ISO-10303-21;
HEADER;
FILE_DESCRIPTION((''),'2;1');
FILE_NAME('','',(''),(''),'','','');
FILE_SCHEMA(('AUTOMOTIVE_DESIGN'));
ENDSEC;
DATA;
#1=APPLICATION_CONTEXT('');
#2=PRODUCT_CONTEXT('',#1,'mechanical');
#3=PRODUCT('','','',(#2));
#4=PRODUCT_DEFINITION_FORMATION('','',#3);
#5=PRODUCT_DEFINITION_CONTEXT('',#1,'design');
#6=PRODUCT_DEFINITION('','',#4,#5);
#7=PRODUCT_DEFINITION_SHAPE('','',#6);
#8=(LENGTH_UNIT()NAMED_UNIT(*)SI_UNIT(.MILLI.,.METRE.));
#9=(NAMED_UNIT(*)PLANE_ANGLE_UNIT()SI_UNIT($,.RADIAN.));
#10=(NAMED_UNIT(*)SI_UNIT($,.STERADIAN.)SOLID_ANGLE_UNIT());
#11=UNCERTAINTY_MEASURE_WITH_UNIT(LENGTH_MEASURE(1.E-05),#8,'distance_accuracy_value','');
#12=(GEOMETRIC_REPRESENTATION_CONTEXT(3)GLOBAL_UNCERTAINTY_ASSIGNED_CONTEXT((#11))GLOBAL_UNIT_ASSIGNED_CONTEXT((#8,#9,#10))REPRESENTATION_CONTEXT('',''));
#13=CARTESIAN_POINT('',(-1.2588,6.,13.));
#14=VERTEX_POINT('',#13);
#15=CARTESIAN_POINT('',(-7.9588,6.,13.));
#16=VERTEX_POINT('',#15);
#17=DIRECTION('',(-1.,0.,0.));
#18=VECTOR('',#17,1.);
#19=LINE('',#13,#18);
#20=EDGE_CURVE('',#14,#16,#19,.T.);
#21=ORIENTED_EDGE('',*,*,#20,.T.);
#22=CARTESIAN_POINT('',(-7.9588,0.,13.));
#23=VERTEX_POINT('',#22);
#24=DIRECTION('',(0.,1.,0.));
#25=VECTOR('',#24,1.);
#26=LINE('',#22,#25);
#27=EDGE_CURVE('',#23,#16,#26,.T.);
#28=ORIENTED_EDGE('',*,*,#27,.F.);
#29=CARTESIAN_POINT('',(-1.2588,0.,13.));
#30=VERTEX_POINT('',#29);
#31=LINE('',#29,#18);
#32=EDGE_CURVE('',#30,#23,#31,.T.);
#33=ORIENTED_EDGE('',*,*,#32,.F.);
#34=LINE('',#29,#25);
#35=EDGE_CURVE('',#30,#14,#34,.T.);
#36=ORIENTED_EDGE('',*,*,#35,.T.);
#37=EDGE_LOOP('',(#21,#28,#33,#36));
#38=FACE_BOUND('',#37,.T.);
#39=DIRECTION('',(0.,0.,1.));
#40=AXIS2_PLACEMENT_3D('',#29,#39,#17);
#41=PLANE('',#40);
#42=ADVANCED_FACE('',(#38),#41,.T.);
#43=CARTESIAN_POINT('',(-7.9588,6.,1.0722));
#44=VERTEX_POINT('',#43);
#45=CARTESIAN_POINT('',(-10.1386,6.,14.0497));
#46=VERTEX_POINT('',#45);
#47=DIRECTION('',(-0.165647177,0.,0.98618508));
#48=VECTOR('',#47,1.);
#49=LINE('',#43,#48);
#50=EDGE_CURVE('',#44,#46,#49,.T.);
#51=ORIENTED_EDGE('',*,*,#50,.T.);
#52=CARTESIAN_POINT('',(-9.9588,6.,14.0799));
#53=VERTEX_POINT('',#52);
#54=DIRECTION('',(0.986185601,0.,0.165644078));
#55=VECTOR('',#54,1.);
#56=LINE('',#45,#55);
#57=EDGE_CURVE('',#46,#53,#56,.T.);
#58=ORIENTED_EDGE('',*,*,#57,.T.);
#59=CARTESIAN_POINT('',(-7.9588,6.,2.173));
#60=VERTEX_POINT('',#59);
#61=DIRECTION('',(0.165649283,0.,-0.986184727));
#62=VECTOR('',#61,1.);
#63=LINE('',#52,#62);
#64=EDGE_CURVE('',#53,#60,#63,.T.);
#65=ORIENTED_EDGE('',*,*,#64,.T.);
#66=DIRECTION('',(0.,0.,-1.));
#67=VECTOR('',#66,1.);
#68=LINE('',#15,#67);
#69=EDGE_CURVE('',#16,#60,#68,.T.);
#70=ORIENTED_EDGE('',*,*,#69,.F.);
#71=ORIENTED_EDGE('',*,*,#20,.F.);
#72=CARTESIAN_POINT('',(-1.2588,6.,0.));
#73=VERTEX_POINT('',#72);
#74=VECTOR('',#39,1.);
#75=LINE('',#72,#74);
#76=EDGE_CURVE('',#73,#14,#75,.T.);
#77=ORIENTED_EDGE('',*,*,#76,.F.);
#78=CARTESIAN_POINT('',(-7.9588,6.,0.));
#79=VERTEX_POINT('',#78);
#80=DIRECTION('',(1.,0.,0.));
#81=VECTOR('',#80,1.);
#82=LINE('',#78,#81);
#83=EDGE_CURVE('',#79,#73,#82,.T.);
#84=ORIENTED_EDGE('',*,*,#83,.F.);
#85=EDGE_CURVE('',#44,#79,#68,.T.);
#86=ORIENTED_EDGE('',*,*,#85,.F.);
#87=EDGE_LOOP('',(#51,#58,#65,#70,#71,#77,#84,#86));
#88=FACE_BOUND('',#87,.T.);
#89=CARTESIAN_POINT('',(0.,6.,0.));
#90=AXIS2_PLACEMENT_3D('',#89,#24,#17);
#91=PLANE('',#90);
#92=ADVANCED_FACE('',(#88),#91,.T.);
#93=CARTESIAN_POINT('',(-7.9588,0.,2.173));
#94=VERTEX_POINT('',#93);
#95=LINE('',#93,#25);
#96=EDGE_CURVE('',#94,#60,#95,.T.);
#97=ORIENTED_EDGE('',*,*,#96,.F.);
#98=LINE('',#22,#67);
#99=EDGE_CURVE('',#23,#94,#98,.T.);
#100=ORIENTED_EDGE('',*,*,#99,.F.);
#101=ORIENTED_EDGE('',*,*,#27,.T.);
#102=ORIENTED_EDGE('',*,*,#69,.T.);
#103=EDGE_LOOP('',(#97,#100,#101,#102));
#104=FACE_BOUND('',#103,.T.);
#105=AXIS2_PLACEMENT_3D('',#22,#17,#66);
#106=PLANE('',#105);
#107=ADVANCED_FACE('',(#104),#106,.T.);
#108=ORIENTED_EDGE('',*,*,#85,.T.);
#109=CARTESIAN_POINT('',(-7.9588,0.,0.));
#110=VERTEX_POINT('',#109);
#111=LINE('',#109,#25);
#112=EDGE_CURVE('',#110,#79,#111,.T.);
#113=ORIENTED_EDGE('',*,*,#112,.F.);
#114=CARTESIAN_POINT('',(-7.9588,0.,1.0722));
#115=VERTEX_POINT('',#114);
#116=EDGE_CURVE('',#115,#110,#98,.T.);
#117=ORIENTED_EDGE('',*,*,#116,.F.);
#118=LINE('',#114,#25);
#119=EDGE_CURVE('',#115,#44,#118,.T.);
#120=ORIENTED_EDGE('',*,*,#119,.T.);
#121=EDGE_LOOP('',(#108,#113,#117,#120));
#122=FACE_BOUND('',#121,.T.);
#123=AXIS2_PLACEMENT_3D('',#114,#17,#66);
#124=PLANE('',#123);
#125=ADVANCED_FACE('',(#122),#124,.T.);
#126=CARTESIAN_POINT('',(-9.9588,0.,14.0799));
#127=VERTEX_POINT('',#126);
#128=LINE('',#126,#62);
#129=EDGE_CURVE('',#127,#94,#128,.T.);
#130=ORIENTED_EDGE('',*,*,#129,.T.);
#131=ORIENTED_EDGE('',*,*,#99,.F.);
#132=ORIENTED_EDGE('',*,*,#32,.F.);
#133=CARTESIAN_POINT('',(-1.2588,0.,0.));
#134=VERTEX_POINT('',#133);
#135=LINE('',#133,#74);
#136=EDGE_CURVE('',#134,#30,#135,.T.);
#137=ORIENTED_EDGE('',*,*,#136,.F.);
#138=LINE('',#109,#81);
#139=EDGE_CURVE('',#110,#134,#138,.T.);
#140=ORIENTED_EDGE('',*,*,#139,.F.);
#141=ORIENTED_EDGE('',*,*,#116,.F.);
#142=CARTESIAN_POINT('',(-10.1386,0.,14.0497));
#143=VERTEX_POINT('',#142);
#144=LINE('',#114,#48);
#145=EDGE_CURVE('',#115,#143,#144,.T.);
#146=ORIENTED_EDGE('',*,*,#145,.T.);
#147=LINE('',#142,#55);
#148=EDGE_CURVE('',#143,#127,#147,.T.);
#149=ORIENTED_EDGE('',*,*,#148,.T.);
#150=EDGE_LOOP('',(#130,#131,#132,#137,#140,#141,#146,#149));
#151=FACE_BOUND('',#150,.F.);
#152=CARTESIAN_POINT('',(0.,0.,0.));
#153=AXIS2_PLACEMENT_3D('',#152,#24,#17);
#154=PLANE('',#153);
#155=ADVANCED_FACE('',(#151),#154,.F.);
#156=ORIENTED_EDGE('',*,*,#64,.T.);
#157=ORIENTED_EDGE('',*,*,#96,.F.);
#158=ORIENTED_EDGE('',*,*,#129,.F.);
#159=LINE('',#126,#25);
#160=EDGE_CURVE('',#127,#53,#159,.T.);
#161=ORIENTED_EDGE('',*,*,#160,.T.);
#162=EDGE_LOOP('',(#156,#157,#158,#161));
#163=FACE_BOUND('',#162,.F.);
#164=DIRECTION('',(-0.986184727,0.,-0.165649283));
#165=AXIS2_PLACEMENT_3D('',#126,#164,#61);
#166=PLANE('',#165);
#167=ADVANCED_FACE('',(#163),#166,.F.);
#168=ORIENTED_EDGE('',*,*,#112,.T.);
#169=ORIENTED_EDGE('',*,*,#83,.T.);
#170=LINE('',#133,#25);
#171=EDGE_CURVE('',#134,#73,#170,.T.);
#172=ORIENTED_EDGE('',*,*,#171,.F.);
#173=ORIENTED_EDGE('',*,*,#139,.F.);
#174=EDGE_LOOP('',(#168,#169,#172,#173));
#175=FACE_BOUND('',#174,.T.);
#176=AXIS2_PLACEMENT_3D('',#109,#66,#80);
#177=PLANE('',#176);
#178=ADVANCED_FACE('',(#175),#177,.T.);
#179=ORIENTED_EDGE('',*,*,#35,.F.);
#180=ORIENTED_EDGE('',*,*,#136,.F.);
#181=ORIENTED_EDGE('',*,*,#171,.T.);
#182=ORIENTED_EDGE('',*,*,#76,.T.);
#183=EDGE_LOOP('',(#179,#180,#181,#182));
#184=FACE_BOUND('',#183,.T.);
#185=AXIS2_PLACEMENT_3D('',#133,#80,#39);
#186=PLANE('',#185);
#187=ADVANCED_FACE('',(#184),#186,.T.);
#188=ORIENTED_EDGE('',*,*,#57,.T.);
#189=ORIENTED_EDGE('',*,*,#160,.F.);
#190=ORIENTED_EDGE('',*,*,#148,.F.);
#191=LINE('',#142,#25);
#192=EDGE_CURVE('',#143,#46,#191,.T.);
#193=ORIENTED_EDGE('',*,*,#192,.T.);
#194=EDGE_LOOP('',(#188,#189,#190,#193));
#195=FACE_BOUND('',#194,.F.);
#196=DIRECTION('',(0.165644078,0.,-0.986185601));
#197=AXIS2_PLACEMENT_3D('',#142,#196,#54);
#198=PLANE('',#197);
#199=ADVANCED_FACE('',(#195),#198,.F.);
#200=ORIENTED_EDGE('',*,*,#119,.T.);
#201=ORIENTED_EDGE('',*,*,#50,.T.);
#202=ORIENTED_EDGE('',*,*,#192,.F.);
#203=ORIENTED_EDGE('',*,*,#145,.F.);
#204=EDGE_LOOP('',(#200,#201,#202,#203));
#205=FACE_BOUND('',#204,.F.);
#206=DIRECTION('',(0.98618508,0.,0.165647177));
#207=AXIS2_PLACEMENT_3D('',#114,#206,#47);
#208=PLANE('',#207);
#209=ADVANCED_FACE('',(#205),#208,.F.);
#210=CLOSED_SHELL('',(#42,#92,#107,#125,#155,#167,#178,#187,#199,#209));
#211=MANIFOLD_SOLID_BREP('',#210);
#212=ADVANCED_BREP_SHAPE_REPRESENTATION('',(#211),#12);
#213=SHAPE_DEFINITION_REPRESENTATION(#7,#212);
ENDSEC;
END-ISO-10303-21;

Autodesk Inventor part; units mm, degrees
ref_plane "YZ Plane" through (0, 0, 0) normal (1, 0, 0) x (0, 1, 0)
ref_plane "XZ Plane" through (0, 0, 0) normal (0, 1, 0) x (-1, 0, 0)
ref_plane "XY Plane" through (0, 0, 0) normal (0, 0, 1) x (1, 0, 0)
sketch "Sketch1" plane through (0, 0, 0) normal (0, 1, 0) x (-1, 0, 0)
  line L0 (1.2588, 13) -> (7.9588, 13)
  line L1 (7.9588, 13) -> (7.9588, 0)
  line L2 (7.9588, 0) -> (1.2588, 0)
  line L3 (1.2588, 0) -> (1.2588, 13)
  line L4 (7.9588, 1.0722) -> (10.1386, 14.0497)
  line L5 (10.1386, 14.0497) -> (9.9588, 14.0799)
  line L6 (9.9588, 14.0799) -> (7.9588, 2.173)
  point P0 (0, 0)
  dimension "d0" = 13
  dimension "d1" = 6.7
  dimension "d2" = 2
extrude "Extrusion1" add sketch "Sketch1" along normal blind 6 contours L0 L1 L2 L3
extrude "Extrusion2" add sketch "Sketch1" along normal blind 6 contours L6 L5 L4 L1
properties part number "koncnostikalo"
